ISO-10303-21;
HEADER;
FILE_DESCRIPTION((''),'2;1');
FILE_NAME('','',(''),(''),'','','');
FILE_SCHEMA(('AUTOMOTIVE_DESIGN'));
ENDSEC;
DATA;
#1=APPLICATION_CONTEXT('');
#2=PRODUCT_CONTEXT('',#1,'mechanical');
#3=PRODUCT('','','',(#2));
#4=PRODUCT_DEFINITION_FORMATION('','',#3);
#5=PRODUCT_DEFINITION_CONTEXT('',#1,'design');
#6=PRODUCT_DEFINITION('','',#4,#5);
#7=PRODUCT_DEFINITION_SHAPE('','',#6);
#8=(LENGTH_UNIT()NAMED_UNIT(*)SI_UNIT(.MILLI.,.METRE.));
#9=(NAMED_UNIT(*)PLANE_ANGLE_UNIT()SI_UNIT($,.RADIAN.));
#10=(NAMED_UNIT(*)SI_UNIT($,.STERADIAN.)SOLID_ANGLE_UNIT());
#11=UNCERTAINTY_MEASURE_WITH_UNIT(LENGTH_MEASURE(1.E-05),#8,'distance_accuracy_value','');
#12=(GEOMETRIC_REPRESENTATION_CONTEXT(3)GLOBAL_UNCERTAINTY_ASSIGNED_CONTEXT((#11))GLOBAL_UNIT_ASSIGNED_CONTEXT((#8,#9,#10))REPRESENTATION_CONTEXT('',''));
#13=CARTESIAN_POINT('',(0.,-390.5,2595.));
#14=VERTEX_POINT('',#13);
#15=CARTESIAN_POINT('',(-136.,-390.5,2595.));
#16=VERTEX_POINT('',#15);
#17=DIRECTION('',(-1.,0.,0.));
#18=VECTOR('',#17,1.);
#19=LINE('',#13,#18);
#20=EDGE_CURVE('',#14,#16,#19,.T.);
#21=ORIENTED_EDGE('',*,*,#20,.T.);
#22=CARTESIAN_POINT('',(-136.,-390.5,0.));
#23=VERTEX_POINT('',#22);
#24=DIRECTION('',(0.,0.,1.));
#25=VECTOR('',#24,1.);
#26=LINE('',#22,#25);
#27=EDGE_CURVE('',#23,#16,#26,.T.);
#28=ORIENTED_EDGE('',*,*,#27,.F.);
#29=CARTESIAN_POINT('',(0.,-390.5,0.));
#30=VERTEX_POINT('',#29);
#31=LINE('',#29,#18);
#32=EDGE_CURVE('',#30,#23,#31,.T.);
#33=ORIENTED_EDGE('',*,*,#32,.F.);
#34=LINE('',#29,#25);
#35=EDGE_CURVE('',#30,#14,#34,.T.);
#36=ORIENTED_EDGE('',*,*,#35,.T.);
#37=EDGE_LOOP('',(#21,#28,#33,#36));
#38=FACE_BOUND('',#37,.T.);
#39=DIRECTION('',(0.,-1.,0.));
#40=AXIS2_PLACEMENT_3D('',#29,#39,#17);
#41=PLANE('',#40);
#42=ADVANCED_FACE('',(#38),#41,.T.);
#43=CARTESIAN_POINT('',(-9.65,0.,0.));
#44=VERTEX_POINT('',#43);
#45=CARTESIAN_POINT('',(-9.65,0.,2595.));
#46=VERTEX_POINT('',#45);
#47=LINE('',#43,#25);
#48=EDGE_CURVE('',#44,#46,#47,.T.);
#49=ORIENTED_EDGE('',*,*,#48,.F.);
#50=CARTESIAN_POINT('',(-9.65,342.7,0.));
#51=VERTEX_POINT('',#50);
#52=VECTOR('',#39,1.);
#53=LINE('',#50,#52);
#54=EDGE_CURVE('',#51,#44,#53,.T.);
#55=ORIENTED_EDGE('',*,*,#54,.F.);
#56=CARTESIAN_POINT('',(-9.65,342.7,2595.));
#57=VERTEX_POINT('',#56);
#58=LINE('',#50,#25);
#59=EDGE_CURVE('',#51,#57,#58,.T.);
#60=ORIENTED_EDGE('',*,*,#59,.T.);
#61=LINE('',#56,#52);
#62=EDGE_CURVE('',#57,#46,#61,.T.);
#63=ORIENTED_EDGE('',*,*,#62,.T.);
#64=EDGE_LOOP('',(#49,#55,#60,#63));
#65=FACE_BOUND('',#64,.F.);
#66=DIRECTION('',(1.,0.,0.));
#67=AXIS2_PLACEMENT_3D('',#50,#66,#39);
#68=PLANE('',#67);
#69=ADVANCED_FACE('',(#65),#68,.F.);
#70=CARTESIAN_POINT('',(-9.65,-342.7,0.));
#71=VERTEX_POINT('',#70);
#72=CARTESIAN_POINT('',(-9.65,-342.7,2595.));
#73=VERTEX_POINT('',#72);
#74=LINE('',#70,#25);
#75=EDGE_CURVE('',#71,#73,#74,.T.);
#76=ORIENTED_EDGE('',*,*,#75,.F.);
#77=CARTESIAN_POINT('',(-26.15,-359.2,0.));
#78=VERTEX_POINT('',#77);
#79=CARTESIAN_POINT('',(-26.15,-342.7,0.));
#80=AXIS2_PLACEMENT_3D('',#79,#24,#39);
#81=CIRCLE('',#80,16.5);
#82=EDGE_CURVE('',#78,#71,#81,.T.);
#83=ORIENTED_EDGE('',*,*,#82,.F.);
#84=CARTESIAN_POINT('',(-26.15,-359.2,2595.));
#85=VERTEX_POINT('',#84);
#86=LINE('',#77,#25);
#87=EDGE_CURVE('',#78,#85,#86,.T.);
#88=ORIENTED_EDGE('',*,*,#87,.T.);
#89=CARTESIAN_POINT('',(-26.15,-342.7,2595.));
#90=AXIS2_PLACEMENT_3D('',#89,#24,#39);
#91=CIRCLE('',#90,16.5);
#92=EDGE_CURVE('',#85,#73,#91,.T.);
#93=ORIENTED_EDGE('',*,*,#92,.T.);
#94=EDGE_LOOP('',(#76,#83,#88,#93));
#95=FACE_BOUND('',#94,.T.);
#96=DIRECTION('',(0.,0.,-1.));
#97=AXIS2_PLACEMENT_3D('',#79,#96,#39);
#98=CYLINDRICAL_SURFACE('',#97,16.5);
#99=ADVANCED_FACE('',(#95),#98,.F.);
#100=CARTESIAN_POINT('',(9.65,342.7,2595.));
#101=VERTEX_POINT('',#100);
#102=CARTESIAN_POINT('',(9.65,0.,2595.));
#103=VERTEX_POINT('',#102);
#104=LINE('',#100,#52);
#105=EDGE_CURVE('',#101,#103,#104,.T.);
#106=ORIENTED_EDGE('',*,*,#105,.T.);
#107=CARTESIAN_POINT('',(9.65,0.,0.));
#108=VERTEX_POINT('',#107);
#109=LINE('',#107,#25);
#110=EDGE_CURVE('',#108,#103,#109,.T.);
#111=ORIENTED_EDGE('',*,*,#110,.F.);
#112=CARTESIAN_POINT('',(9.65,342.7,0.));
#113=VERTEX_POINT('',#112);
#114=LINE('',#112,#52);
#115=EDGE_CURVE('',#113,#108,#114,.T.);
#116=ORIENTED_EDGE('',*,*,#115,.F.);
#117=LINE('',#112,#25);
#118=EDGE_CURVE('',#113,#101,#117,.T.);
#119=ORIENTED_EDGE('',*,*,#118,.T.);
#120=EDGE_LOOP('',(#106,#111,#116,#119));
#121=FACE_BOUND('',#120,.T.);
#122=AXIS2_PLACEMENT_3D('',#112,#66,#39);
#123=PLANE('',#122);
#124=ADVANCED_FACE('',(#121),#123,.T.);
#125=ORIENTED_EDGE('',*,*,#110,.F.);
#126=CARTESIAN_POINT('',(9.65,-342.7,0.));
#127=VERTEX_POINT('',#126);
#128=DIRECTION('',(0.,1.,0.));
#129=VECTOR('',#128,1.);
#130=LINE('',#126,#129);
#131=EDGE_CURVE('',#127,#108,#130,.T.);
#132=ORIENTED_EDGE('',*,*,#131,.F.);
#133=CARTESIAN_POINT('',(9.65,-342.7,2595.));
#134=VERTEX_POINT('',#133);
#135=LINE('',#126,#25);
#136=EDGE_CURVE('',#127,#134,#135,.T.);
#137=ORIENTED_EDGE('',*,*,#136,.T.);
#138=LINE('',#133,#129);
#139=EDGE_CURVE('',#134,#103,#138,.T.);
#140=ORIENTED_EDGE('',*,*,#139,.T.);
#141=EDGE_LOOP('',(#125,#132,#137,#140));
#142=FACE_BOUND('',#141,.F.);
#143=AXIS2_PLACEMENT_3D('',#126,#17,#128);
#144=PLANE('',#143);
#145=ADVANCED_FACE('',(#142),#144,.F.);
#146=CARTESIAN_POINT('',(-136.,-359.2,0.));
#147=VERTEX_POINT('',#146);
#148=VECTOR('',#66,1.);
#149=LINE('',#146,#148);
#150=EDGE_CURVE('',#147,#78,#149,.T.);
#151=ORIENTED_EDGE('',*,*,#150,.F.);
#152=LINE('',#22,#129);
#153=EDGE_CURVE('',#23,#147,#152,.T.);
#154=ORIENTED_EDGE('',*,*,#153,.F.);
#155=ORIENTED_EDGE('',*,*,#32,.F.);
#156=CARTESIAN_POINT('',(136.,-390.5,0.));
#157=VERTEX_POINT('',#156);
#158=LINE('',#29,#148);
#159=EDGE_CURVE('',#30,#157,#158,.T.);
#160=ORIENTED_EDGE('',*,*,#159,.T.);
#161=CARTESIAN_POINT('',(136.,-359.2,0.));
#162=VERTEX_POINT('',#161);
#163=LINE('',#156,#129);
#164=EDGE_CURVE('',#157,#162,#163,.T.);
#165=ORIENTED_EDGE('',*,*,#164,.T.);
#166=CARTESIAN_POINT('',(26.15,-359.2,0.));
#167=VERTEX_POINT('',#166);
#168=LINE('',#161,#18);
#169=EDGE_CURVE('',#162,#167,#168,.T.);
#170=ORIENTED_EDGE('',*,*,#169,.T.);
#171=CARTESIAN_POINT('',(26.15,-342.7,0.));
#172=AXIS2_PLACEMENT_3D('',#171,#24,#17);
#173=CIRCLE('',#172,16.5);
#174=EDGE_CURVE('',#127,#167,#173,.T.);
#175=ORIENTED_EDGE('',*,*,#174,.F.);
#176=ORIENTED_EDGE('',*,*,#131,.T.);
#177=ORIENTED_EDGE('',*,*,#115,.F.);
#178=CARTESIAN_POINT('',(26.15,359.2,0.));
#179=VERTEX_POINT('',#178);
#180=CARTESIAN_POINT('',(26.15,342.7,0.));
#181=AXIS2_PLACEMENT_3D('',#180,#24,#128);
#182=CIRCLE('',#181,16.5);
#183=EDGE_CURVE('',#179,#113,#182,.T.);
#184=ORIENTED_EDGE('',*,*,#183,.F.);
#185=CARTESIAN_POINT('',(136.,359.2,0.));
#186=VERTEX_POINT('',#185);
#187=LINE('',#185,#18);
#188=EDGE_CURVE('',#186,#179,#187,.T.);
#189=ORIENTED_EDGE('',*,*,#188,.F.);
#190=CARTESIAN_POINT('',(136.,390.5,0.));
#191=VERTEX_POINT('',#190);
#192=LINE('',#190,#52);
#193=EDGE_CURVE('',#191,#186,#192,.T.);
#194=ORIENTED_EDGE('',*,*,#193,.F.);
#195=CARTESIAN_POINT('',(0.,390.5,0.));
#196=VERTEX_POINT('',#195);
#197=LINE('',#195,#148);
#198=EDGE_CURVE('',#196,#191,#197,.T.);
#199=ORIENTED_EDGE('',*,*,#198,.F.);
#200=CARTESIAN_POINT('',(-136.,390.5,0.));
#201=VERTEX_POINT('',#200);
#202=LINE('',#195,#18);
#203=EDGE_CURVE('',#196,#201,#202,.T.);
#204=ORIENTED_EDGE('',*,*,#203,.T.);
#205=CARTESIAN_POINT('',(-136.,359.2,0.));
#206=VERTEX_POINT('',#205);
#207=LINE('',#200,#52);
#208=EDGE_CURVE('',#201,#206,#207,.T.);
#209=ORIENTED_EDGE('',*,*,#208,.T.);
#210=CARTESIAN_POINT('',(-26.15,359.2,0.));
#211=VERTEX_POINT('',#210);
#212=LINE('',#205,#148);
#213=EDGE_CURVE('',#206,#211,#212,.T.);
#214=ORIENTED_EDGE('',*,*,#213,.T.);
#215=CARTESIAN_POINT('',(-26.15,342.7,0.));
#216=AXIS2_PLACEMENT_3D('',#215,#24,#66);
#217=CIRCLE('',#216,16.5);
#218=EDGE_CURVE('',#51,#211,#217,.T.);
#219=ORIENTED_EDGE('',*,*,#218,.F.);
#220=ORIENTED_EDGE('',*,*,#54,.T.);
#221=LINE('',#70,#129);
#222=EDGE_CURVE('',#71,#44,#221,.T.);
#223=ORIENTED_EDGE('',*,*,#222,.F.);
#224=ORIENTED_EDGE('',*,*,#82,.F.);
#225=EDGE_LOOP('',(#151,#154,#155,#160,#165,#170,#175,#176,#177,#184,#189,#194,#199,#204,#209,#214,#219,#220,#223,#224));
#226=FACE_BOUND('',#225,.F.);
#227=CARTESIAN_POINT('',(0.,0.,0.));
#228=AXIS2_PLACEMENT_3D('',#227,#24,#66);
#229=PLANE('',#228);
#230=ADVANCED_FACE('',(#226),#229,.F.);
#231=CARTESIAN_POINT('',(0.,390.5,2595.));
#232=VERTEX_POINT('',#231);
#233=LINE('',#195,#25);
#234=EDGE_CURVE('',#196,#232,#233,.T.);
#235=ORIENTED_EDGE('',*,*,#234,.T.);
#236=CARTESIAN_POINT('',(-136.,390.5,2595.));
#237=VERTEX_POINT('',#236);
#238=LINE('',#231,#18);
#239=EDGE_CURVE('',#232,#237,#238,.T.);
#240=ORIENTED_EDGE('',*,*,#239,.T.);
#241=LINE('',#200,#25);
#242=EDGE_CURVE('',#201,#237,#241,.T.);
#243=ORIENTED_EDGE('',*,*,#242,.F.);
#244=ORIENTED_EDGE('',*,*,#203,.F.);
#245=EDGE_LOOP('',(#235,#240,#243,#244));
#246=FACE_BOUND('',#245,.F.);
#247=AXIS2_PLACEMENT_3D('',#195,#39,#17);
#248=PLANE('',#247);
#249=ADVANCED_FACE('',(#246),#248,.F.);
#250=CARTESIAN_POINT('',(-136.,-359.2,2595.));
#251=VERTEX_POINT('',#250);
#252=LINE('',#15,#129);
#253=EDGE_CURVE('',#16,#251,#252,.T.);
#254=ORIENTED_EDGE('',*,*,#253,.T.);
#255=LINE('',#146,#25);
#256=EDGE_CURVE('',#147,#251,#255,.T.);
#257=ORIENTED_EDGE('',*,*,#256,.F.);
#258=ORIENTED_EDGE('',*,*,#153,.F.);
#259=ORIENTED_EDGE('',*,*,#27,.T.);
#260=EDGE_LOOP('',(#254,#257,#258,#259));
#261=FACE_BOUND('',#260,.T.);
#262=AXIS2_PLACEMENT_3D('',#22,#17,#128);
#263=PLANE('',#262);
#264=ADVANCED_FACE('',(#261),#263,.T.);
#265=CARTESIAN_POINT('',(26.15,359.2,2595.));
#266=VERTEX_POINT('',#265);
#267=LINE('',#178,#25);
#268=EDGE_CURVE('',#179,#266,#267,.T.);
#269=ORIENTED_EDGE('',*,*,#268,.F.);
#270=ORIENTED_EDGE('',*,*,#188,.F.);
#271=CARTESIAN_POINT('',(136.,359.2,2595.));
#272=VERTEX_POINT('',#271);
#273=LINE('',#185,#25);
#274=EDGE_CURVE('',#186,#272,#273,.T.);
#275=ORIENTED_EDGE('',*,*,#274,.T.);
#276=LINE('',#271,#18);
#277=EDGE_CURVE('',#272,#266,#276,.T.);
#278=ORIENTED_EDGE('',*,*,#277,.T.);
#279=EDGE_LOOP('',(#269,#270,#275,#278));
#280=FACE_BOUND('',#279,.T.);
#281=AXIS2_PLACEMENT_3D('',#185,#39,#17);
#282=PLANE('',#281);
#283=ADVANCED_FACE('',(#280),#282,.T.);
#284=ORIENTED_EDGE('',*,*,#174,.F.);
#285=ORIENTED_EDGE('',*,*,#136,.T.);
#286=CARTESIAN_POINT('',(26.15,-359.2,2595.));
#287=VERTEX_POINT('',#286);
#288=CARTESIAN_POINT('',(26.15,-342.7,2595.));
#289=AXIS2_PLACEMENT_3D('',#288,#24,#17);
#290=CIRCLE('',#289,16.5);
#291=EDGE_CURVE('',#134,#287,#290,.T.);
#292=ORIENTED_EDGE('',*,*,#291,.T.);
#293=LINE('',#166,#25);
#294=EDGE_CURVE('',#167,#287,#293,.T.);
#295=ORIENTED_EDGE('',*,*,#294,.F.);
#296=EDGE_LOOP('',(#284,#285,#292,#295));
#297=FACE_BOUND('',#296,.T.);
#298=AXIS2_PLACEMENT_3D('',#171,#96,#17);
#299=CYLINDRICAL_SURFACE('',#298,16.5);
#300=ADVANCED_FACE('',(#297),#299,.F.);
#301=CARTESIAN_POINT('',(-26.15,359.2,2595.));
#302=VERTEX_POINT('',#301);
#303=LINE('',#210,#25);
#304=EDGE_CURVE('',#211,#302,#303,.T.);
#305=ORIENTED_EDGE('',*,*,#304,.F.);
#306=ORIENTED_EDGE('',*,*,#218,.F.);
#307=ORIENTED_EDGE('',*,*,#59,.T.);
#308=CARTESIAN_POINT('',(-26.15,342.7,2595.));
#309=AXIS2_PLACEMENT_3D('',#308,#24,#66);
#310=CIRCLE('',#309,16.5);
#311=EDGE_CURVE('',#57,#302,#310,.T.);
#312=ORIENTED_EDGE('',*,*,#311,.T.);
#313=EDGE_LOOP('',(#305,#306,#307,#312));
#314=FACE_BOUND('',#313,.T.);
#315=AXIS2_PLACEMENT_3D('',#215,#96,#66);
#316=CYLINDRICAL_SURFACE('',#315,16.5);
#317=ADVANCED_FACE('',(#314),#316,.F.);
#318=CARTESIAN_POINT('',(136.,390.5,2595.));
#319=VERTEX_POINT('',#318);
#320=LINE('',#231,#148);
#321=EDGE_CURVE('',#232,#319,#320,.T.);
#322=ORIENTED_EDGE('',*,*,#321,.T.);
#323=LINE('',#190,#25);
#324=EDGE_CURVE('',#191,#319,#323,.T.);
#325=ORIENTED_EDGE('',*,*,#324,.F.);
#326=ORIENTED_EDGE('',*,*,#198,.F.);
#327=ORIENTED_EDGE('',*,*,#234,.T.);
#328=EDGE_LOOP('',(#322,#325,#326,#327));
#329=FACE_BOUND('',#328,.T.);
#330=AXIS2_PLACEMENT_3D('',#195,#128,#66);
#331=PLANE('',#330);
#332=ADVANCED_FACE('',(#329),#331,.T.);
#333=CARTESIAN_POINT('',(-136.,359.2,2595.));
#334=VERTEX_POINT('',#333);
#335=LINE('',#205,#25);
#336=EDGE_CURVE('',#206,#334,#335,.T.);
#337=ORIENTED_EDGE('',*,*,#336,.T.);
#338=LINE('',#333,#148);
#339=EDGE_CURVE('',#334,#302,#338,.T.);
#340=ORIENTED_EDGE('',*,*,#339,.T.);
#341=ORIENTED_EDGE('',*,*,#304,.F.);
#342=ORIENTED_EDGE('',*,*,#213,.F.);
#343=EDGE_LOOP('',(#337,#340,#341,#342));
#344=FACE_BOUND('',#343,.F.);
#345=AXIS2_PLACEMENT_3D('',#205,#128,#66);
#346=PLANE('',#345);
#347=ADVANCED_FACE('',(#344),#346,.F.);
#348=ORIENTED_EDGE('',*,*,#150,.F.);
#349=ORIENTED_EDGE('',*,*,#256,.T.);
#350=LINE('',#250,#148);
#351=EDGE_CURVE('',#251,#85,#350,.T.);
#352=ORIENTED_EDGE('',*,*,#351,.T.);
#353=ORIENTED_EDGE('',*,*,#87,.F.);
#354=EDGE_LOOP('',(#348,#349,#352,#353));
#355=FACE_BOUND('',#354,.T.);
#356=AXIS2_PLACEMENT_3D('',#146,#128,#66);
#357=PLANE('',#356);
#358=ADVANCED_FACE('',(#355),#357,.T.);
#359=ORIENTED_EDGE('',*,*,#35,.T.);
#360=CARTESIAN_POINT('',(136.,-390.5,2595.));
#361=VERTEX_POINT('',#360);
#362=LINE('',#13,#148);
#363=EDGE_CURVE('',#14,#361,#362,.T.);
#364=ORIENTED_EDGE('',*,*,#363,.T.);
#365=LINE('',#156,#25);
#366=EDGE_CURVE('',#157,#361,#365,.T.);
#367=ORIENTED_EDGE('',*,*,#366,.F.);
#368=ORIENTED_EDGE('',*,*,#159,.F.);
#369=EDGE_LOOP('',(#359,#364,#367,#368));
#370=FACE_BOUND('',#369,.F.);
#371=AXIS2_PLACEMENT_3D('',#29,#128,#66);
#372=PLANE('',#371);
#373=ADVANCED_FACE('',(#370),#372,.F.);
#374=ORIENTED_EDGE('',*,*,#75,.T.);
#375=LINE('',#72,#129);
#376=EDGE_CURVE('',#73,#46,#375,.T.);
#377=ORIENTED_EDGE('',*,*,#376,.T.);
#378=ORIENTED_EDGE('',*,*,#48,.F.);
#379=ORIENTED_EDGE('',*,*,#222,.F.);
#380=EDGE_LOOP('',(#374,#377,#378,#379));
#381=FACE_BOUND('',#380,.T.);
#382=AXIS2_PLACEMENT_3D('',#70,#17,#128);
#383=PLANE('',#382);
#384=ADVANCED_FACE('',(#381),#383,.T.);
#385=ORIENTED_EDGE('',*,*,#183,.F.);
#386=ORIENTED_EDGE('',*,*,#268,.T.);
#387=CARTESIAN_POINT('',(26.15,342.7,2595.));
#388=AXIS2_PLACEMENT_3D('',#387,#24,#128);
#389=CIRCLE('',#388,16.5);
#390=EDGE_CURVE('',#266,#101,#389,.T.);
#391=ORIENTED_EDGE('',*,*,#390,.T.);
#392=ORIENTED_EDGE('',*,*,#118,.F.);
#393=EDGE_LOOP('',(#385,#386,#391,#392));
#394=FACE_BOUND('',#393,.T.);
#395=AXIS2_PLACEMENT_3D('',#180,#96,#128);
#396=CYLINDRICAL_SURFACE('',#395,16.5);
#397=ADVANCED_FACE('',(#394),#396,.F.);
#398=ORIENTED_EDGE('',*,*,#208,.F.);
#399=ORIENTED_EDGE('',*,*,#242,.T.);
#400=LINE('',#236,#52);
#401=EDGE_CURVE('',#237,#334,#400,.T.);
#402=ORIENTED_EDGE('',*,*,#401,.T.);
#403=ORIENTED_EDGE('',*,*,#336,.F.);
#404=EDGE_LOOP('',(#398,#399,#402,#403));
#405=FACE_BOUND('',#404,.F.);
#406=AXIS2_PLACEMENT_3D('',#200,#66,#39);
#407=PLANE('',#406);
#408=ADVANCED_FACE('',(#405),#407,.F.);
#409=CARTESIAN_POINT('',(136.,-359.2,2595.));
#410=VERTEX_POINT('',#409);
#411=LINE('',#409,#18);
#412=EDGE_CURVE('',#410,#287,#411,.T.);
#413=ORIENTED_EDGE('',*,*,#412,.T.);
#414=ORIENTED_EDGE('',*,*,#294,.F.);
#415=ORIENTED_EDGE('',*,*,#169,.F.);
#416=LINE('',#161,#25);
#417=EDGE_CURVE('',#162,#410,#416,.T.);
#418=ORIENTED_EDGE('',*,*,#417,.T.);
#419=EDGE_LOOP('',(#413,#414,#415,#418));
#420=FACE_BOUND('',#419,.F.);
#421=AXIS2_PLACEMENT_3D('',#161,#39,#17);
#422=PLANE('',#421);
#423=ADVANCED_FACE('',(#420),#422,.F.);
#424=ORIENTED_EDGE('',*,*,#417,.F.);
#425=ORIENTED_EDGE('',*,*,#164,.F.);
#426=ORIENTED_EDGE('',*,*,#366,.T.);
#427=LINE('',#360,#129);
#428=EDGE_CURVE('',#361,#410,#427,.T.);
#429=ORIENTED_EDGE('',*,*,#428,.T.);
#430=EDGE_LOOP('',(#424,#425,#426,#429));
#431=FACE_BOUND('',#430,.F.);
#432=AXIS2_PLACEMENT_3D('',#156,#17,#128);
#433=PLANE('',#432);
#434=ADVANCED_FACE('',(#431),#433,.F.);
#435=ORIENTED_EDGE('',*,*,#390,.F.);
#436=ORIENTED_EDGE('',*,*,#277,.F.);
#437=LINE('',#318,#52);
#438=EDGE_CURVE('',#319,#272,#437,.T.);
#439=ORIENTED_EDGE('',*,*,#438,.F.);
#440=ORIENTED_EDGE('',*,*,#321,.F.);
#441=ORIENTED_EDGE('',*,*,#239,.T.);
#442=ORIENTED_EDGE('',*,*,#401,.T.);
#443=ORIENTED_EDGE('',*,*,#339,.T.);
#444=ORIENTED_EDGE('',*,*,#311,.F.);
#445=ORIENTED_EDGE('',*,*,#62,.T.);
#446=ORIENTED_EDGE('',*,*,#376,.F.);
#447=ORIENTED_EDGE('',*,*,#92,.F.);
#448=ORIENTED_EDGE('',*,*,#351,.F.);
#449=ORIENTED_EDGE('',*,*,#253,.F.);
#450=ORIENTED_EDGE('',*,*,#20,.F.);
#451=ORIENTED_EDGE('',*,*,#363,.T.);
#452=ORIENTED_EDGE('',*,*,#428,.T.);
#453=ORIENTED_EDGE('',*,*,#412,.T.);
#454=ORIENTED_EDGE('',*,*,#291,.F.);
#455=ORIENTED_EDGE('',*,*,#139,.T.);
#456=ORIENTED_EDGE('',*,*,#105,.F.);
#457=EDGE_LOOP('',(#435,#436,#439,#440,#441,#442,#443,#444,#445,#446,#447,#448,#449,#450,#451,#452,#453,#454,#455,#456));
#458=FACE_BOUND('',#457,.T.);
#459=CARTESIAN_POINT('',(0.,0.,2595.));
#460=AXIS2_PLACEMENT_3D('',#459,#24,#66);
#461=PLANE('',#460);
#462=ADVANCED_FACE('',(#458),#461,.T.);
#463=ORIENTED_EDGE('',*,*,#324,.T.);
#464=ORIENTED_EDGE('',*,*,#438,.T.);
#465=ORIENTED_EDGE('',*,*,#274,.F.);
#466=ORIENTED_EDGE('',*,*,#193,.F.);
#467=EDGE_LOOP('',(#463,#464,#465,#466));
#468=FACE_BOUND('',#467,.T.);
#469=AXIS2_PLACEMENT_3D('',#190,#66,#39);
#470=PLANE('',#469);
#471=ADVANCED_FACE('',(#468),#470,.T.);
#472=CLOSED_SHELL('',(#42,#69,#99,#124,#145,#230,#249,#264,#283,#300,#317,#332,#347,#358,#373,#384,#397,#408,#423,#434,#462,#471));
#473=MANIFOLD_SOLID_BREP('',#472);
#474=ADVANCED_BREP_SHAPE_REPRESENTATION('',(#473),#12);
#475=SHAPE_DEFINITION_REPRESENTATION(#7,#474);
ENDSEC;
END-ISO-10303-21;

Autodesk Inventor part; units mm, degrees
ref_plane "YZ Plane" through (0, 0, 0) normal (1, 0, 0) x (0, 1, 0)
ref_plane "Start plane" through (0, 0, 0) normal (0, 0, 1) x (1, 0, 0)
ref_plane "End plane" through (0, 0, 2595) normal (0, 0, 1) x (1, 0, 0)
sketch "Sketch" plane through (0, 0, 0) normal (0, 0, 1) x (1, 0, 0)
  line L0 (-136, -390.5) -> (-136, -359.2)
  line L1 (-136, -359.2) -> (-26.15, -359.2)
  line L2 (-9.65, -342.7) -> (-9.65, 0)
  line L3 (-9.65, 0) -> (0, 0) construction
  line L4 (0, 0) -> (0, -390.5) construction
  line L5 (0, -390.5) -> (-136, -390.5)
  line L6 (-60, 0) -> (80, 0) construction
  line L7 (0, -60) -> (0, 80) construction
  line L8 (136, -390.5) -> (136, -359.2)
  line L9 (136, -359.2) -> (26.15, -359.2)
  line L10 (9.65, -342.7) -> (9.65, 0)
  line L11 (9.65, 0) -> (0, 0) construction
  line L12 (0, -390.5) -> (136, -390.5)
  line L13 (-136, 390.5) -> (-136, 359.2)
  line L14 (-136, 359.2) -> (-26.15, 359.2)
  line L15 (-9.65, 342.7) -> (-9.65, 0)
  line L16 (0, 390.5) -> (-136, 390.5)
  line L17 (136, 390.5) -> (136, 359.2)
  line L18 (136, 359.2) -> (26.15, 359.2)
  line L19 (0, 390.5) -> (136, 390.5)
  line L20 (9.65, 342.7) -> (9.65, 0)
  arc A0 (-9.65, 342.7) -> (-26.15, 359.2) centre (-26.15, 342.7) ccw
  arc A1 (26.15, 359.2) -> (9.65, 342.7) centre (26.15, 342.7) ccw
  arc A2 (9.65, -342.7) -> (26.15, -359.2) centre (26.15, -342.7) ccw
  arc A3 (-26.15, -359.2) -> (-9.65, -342.7) centre (-26.15, -342.7) ccw
  line L21 (0, 108) -> (0, -88) construction
  line L22 (-88, 0) -> (108, 0) construction
  point P0 (-9.65, -359.2)
  point P1 (9.65, -359.2)
  point P2 (-9.65, 359.2)
  point P3 (9.65, 359.2)
  dimension "d1" = 390.5
  dimension "d2" = 31.3
  dimension "d3" = 136
  dimension "d4" = 9.65
  dimension "d10" = 16.5
extrude "Body" add sketch "Sketch" along normal up to surface (2595 mm away) from surface at 0
sketch "Sketch4" plane through (0, 0, 0) normal (0, 0, 1) x (1, 0, 0)
  line L0 (0, 0) -> (10, 0)
ref_plane "Work Plane3" through (0, 0, 0) normal (0, -1, 0) x (1, 0, 0)
sketch "Sketch5" plane through (0, 0, 0) normal (0, -1, 0) x (1, 0, 0)
  line L0 (-2, 0) -> (12, 0) projected
  line L1 (-2, 2595) -> (12, 2595) projected
  dimension "d14" = 2595
equation "\"d1\" = 0.5 * G_H"
equation "\"d2\" = G_T1"
equation "\"d3\" = 0.5 * G_W"
equation "\"d4\" = 0.5 * G_T"
equation "\"d10\" = G_IR"
equation "\"d5\" = G_L"
equation "\"G_W\" = 272"
equation "\"G_H\" = 781"
equation "\"G_T\" = 19.3"
equation "\"G_T1\" = 31.3"
equation "\"G_IR\" = 16.5"
equation "\"G_L\" = d14"
equation "\"G_OFFSET_START\" = 0"
equation "\"G_OFFSET_END\" = 0"
equation "\"d12\" = G_OFFSET_END + B_L"
equation "\"B_L\" = 2595"
properties part number "AS 3679-1990 - 760 UB - 244 - 2595" material "Steel, Mild"
